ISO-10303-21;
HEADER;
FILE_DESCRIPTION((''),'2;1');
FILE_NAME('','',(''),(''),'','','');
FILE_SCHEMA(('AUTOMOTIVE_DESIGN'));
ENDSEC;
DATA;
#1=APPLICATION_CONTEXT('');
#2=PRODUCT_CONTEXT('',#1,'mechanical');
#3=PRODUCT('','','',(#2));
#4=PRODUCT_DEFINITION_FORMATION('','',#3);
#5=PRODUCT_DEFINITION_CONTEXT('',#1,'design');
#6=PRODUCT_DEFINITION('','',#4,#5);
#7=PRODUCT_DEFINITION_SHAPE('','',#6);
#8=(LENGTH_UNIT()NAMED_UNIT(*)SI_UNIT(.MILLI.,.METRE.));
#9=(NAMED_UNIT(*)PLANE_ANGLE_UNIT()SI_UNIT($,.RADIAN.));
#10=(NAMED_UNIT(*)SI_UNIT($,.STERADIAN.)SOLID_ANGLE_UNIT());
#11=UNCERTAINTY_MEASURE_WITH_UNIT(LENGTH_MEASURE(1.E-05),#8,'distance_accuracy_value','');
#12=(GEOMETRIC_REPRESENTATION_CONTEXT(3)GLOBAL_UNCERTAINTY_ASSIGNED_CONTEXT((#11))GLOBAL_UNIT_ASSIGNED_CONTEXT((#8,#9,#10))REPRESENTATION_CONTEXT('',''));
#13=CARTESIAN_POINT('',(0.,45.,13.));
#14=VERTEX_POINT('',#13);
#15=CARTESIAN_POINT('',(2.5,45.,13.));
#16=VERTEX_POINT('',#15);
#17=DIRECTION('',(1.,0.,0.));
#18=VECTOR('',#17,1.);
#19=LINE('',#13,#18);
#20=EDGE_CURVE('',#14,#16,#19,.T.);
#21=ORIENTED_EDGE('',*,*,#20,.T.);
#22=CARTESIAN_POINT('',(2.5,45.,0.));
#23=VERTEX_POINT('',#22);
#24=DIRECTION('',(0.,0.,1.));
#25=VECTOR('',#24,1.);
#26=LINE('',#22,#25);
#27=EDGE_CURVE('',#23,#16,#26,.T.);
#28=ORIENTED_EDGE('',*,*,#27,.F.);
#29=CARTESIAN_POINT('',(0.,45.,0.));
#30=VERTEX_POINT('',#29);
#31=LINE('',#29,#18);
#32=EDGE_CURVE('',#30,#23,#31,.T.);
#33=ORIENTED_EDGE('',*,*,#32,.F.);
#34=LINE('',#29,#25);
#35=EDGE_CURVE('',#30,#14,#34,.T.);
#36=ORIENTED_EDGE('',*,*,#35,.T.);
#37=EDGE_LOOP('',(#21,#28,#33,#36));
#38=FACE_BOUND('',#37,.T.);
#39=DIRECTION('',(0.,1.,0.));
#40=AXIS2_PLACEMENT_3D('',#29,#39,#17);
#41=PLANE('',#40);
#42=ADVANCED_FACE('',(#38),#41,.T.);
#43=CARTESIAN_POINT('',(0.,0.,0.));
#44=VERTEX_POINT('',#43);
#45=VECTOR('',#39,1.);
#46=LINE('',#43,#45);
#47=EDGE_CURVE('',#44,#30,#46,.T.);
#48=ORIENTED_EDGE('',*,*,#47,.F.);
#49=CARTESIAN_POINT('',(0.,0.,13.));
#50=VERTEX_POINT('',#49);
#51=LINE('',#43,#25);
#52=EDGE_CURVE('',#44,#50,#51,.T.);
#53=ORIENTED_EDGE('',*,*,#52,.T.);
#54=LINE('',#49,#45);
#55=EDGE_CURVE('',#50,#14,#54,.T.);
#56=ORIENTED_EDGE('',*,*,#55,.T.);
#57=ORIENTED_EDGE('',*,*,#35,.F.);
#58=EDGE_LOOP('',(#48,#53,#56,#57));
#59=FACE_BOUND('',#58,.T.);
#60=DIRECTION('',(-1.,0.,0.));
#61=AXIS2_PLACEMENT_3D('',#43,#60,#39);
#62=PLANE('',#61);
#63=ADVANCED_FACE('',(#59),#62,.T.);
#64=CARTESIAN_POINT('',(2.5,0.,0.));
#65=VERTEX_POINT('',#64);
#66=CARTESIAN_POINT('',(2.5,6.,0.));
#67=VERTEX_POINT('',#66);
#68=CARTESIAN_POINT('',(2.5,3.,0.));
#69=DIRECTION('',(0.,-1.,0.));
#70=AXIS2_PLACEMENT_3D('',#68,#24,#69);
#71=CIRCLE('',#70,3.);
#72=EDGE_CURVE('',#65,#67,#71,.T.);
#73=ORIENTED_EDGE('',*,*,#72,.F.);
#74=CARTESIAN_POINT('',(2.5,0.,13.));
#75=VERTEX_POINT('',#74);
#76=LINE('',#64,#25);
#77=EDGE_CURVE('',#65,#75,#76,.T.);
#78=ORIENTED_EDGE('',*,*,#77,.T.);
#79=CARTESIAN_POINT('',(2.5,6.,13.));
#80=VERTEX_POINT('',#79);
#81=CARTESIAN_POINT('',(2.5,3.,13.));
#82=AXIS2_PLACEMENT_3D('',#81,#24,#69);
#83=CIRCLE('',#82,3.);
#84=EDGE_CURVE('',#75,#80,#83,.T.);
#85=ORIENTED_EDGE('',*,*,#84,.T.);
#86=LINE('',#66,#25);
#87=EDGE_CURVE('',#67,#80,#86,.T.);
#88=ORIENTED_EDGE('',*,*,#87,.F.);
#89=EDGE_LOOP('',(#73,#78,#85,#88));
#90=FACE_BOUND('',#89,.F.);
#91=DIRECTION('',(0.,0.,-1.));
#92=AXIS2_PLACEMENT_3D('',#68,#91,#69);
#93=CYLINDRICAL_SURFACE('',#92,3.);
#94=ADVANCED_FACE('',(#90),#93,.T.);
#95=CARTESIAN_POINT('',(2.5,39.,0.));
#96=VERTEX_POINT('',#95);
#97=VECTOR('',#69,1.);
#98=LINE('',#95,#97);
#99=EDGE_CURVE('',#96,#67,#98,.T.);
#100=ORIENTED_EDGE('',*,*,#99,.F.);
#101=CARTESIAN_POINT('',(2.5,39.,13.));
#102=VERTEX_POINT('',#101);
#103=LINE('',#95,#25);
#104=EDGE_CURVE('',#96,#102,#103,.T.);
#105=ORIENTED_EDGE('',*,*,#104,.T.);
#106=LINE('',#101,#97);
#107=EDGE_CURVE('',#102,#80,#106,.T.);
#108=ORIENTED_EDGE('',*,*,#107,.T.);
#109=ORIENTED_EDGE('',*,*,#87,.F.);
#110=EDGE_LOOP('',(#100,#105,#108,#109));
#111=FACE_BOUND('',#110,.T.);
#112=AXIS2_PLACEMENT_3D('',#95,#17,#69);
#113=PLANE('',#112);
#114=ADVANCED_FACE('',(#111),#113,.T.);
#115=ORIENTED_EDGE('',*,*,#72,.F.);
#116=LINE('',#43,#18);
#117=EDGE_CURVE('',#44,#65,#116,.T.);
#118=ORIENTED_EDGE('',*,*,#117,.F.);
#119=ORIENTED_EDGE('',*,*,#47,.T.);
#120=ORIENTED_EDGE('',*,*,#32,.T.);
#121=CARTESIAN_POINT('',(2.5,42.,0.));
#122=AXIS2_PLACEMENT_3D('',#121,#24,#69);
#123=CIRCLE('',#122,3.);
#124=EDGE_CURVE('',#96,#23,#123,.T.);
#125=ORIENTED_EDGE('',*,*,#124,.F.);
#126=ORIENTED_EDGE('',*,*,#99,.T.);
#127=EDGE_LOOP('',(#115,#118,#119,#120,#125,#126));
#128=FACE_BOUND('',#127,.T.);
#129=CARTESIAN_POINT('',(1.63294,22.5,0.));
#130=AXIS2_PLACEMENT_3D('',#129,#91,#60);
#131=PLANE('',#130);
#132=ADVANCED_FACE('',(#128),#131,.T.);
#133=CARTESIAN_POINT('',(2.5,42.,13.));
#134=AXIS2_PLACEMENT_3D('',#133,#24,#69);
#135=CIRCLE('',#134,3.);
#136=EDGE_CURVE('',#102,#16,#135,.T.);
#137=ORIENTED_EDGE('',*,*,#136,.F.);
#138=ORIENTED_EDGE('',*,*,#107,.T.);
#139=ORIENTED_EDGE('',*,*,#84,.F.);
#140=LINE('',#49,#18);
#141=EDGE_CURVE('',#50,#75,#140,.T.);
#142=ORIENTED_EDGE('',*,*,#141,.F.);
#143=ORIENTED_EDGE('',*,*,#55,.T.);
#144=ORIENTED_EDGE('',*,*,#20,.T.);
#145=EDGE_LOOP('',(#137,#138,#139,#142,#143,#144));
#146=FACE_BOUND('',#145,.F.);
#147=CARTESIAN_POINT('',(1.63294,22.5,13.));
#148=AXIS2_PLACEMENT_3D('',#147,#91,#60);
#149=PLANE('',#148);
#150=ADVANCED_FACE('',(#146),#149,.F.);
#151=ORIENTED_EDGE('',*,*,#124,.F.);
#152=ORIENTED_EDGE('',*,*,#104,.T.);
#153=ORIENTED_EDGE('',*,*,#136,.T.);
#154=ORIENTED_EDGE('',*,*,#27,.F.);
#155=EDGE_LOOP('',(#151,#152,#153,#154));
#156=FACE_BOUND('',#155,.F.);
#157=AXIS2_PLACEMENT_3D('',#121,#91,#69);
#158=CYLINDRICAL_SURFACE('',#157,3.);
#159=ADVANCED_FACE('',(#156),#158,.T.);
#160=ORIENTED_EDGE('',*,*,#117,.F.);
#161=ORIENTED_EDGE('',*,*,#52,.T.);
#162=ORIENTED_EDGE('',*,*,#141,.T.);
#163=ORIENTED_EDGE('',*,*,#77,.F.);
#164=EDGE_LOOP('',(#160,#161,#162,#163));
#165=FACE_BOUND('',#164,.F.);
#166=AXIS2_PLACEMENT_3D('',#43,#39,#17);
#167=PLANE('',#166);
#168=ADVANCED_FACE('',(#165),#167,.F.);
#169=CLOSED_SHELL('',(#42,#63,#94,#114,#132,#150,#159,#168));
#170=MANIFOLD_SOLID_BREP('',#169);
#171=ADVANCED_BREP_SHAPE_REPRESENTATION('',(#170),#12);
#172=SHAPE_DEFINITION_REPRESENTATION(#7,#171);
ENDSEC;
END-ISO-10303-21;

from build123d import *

# Parameters (mm, degrees)
PAD_DEPTH = 13


with BuildPart() as part:
    # Sketch → Pad (new body)
    with BuildSketch(Plane.XY):
        with BuildLine():
            Line((0, 0), (0, 45))
            Line((0, 45), (2.5, 45))
            ThreePointArc((2.5, 39), (5.5, 42), (2.5, 45))
            Line((2.5, 39), (2.5, 6))
            ThreePointArc((2.5, 0), (5.5, 3), (2.5, 6))
            Line((0, 0), (2.5, 0))
        make_face()
    extrude(amount=PAD_DEPTH)


solid = part.part
